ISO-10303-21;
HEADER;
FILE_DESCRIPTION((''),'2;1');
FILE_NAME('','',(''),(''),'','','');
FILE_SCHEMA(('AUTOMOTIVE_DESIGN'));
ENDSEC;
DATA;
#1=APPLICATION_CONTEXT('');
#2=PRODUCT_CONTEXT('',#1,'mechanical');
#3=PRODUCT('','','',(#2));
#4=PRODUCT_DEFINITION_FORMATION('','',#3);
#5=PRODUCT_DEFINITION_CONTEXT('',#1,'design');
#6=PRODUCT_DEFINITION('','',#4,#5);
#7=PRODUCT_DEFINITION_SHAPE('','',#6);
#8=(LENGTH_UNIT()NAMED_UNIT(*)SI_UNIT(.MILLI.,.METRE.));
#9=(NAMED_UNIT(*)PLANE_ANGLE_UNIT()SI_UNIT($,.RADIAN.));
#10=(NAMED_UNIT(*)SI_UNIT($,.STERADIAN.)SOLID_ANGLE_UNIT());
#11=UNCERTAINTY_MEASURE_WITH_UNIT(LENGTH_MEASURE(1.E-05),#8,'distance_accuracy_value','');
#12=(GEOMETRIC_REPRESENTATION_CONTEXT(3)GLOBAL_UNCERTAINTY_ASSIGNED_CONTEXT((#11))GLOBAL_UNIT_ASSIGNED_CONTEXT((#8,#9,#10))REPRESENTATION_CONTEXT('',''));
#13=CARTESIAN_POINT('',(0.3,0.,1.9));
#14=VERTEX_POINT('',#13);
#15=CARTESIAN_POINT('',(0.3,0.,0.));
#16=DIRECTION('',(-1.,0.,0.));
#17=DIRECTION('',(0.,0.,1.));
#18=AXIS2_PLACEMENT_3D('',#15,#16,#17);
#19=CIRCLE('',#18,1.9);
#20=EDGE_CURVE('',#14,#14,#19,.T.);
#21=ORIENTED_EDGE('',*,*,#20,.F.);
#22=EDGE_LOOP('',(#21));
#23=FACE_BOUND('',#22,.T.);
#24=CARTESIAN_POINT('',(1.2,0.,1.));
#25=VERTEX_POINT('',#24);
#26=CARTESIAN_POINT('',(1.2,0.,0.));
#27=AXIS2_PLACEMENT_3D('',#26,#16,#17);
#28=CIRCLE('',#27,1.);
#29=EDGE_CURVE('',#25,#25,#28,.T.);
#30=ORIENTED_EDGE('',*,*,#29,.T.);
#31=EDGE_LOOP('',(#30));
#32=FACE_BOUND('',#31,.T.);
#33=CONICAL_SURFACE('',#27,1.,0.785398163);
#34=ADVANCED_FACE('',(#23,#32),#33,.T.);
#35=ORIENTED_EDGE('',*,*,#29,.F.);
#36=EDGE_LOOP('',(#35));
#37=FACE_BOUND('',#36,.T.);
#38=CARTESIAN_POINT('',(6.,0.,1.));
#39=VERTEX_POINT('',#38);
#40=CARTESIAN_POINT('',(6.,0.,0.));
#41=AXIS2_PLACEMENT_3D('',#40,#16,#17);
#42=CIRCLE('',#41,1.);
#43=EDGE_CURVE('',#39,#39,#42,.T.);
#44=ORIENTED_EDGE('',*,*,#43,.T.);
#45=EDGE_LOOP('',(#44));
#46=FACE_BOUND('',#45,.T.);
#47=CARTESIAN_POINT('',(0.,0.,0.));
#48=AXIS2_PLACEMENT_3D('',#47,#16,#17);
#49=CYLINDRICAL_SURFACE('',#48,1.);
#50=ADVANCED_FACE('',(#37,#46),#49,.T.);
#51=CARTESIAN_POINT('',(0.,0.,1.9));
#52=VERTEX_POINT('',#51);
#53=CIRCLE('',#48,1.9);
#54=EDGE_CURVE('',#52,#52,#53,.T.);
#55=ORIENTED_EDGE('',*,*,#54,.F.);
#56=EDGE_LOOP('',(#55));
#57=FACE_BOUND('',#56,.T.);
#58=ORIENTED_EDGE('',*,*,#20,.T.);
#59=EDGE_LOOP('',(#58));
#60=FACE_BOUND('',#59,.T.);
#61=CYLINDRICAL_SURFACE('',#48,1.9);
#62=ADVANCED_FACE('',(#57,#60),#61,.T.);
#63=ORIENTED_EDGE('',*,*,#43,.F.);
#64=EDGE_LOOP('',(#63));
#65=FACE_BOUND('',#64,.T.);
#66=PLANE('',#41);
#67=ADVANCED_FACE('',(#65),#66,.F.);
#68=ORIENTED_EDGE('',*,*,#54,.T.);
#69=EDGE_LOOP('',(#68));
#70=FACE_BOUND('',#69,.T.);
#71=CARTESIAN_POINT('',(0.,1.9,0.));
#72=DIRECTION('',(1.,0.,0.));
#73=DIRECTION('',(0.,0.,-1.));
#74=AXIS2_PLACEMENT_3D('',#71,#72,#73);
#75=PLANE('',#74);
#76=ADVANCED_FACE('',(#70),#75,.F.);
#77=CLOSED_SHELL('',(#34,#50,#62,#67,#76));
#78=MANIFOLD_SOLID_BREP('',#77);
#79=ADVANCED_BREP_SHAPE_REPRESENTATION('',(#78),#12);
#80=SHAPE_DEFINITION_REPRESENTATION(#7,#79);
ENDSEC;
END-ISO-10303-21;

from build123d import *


with BuildPart() as part:
    # Esquisse1 → Révolution1 (revolve)
    with BuildSketch(Plane.XY, mode=Mode.PRIVATE) as r_volution1_sk:
        Polygon((0, 0), (6, 0), (6, 1), (1.2, 1), (0.3, 1.9), (0, 1.9), align=None)
    revolve(r_volution1_sk.sketch.rotate(Axis((0, 0, 0), (1, 0, 0)), 90), axis=Axis((0, 0, 0), (1, 0, 0)))


solid = part.part
